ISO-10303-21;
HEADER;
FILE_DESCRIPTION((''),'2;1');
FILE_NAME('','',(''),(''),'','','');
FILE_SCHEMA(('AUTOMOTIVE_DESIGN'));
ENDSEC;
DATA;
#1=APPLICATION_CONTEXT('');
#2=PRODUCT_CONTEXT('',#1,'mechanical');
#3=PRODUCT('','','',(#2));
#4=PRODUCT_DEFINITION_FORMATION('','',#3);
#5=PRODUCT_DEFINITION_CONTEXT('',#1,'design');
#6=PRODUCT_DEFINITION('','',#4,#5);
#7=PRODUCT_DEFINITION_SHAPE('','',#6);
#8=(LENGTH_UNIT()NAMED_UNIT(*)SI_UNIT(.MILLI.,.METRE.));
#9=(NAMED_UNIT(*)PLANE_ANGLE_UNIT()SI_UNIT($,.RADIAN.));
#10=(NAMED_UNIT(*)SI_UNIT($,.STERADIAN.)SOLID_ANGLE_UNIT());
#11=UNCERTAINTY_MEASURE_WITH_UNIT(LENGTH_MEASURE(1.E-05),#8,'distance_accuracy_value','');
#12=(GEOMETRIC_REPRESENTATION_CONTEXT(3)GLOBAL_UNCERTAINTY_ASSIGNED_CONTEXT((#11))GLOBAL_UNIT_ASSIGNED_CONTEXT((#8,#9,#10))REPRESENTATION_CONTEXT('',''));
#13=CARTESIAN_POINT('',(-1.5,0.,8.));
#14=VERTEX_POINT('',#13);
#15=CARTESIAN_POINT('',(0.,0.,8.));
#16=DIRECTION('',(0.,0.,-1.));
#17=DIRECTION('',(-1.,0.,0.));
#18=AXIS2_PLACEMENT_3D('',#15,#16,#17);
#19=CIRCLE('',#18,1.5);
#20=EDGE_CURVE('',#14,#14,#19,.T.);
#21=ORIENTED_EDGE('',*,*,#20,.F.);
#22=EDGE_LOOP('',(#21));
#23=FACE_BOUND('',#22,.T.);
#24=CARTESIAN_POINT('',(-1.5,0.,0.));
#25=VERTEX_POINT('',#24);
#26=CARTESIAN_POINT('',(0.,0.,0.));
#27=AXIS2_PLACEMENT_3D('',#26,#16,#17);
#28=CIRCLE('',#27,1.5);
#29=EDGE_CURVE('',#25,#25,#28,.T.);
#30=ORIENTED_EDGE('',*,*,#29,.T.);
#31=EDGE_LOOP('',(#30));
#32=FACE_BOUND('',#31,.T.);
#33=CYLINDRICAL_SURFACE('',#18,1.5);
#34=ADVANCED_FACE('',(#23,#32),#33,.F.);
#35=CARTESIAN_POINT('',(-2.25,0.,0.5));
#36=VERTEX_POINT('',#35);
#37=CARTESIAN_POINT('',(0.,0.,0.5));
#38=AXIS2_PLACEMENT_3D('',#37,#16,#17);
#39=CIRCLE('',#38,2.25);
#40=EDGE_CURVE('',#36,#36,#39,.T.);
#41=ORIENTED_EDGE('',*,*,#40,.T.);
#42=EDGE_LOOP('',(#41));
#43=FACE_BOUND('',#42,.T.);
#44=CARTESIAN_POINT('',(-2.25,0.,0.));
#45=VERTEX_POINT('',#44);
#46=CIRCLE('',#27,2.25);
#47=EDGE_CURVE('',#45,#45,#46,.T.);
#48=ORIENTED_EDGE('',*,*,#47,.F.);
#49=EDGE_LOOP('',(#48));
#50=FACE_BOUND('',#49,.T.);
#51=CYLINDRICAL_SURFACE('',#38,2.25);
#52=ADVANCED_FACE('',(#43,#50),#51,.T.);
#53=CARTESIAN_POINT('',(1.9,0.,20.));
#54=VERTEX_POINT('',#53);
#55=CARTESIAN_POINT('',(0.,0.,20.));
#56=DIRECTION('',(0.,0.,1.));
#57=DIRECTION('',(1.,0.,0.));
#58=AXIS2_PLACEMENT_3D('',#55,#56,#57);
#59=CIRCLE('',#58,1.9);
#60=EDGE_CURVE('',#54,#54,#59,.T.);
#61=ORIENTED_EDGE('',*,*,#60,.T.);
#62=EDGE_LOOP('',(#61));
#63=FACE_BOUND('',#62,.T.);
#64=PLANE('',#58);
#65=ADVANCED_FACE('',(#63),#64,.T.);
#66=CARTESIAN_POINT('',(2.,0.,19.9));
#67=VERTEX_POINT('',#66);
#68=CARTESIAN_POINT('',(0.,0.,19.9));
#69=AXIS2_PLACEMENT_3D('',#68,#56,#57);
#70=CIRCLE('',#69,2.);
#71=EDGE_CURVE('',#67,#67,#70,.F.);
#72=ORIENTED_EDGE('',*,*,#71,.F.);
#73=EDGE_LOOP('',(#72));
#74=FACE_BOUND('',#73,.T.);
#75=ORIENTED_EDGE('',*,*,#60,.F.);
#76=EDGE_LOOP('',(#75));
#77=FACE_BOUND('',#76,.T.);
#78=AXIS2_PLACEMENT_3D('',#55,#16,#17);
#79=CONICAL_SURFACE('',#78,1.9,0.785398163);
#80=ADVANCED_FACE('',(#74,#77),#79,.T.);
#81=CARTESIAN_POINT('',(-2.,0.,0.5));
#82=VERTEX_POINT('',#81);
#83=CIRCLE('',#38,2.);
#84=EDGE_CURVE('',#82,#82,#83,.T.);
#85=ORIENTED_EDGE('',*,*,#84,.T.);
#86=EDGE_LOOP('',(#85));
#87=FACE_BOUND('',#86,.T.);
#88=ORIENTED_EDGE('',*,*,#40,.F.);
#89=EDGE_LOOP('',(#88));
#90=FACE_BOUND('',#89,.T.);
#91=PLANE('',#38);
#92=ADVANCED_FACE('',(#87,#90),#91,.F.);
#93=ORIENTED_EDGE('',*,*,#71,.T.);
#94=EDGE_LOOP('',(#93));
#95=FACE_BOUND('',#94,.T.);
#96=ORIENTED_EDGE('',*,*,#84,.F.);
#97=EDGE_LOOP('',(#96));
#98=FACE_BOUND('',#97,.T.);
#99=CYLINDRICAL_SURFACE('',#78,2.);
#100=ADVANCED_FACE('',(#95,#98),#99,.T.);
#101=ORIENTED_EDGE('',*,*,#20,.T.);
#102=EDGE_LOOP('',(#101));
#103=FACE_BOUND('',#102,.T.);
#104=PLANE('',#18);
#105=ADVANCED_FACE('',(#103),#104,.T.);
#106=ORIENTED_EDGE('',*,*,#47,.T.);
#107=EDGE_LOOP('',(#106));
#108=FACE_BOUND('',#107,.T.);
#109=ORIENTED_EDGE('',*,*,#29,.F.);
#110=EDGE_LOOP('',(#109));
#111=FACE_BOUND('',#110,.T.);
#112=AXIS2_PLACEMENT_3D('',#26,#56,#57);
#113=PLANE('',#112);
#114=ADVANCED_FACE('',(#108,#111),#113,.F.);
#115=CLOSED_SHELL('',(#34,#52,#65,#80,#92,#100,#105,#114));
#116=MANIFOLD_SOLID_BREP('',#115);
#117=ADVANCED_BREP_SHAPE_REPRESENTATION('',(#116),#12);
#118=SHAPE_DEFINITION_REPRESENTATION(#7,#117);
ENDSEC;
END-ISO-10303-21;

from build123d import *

# Parameters (mm, degrees)
SKETCH_1_R          = 2
EXTRUDE_1_DEPTH     = 20
SKETCH_2_R          = 2.25
EXTRUDE_2_DEPTH     = 0.5
SKETCH_3_R          = 1.5
CUT_EXTRUDE_1_DEPTH = 8
CHAMFER_1_SIZE      = 0.1


with BuildPart() as part:
    # 草图1 → 凸台-拉伸1 (new body)
    with BuildSketch(Plane.XY):
        Circle(SKETCH_1_R)
    extrude(amount=EXTRUDE_1_DEPTH)

    # 草图2 → 凸台-拉伸2 (add)
    with BuildSketch(Plane(origin=(0, 0, 0), x_dir=(-1, 0, 0), z_dir=(0, 0, -1))):
        Circle(SKETCH_2_R)
    extrude(amount=-EXTRUDE_2_DEPTH)

    # 草图3 → 切除-拉伸1 (cut)
    with BuildSketch(Plane(origin=(0, 0, 0), x_dir=(-1, 0, 0), z_dir=(0, 0, -1))):
        Circle(SKETCH_3_R)
    extrude(amount=-CUT_EXTRUDE_1_DEPTH, mode=Mode.SUBTRACT)

    # 倒角1
    chamfer_1_edges = [part.edges().sort_by_distance(p)[0] for p in [
        (-2, 0, 20),
    ]]
    chamfer(chamfer_1_edges, length=CHAMFER_1_SIZE)


solid = part.part
